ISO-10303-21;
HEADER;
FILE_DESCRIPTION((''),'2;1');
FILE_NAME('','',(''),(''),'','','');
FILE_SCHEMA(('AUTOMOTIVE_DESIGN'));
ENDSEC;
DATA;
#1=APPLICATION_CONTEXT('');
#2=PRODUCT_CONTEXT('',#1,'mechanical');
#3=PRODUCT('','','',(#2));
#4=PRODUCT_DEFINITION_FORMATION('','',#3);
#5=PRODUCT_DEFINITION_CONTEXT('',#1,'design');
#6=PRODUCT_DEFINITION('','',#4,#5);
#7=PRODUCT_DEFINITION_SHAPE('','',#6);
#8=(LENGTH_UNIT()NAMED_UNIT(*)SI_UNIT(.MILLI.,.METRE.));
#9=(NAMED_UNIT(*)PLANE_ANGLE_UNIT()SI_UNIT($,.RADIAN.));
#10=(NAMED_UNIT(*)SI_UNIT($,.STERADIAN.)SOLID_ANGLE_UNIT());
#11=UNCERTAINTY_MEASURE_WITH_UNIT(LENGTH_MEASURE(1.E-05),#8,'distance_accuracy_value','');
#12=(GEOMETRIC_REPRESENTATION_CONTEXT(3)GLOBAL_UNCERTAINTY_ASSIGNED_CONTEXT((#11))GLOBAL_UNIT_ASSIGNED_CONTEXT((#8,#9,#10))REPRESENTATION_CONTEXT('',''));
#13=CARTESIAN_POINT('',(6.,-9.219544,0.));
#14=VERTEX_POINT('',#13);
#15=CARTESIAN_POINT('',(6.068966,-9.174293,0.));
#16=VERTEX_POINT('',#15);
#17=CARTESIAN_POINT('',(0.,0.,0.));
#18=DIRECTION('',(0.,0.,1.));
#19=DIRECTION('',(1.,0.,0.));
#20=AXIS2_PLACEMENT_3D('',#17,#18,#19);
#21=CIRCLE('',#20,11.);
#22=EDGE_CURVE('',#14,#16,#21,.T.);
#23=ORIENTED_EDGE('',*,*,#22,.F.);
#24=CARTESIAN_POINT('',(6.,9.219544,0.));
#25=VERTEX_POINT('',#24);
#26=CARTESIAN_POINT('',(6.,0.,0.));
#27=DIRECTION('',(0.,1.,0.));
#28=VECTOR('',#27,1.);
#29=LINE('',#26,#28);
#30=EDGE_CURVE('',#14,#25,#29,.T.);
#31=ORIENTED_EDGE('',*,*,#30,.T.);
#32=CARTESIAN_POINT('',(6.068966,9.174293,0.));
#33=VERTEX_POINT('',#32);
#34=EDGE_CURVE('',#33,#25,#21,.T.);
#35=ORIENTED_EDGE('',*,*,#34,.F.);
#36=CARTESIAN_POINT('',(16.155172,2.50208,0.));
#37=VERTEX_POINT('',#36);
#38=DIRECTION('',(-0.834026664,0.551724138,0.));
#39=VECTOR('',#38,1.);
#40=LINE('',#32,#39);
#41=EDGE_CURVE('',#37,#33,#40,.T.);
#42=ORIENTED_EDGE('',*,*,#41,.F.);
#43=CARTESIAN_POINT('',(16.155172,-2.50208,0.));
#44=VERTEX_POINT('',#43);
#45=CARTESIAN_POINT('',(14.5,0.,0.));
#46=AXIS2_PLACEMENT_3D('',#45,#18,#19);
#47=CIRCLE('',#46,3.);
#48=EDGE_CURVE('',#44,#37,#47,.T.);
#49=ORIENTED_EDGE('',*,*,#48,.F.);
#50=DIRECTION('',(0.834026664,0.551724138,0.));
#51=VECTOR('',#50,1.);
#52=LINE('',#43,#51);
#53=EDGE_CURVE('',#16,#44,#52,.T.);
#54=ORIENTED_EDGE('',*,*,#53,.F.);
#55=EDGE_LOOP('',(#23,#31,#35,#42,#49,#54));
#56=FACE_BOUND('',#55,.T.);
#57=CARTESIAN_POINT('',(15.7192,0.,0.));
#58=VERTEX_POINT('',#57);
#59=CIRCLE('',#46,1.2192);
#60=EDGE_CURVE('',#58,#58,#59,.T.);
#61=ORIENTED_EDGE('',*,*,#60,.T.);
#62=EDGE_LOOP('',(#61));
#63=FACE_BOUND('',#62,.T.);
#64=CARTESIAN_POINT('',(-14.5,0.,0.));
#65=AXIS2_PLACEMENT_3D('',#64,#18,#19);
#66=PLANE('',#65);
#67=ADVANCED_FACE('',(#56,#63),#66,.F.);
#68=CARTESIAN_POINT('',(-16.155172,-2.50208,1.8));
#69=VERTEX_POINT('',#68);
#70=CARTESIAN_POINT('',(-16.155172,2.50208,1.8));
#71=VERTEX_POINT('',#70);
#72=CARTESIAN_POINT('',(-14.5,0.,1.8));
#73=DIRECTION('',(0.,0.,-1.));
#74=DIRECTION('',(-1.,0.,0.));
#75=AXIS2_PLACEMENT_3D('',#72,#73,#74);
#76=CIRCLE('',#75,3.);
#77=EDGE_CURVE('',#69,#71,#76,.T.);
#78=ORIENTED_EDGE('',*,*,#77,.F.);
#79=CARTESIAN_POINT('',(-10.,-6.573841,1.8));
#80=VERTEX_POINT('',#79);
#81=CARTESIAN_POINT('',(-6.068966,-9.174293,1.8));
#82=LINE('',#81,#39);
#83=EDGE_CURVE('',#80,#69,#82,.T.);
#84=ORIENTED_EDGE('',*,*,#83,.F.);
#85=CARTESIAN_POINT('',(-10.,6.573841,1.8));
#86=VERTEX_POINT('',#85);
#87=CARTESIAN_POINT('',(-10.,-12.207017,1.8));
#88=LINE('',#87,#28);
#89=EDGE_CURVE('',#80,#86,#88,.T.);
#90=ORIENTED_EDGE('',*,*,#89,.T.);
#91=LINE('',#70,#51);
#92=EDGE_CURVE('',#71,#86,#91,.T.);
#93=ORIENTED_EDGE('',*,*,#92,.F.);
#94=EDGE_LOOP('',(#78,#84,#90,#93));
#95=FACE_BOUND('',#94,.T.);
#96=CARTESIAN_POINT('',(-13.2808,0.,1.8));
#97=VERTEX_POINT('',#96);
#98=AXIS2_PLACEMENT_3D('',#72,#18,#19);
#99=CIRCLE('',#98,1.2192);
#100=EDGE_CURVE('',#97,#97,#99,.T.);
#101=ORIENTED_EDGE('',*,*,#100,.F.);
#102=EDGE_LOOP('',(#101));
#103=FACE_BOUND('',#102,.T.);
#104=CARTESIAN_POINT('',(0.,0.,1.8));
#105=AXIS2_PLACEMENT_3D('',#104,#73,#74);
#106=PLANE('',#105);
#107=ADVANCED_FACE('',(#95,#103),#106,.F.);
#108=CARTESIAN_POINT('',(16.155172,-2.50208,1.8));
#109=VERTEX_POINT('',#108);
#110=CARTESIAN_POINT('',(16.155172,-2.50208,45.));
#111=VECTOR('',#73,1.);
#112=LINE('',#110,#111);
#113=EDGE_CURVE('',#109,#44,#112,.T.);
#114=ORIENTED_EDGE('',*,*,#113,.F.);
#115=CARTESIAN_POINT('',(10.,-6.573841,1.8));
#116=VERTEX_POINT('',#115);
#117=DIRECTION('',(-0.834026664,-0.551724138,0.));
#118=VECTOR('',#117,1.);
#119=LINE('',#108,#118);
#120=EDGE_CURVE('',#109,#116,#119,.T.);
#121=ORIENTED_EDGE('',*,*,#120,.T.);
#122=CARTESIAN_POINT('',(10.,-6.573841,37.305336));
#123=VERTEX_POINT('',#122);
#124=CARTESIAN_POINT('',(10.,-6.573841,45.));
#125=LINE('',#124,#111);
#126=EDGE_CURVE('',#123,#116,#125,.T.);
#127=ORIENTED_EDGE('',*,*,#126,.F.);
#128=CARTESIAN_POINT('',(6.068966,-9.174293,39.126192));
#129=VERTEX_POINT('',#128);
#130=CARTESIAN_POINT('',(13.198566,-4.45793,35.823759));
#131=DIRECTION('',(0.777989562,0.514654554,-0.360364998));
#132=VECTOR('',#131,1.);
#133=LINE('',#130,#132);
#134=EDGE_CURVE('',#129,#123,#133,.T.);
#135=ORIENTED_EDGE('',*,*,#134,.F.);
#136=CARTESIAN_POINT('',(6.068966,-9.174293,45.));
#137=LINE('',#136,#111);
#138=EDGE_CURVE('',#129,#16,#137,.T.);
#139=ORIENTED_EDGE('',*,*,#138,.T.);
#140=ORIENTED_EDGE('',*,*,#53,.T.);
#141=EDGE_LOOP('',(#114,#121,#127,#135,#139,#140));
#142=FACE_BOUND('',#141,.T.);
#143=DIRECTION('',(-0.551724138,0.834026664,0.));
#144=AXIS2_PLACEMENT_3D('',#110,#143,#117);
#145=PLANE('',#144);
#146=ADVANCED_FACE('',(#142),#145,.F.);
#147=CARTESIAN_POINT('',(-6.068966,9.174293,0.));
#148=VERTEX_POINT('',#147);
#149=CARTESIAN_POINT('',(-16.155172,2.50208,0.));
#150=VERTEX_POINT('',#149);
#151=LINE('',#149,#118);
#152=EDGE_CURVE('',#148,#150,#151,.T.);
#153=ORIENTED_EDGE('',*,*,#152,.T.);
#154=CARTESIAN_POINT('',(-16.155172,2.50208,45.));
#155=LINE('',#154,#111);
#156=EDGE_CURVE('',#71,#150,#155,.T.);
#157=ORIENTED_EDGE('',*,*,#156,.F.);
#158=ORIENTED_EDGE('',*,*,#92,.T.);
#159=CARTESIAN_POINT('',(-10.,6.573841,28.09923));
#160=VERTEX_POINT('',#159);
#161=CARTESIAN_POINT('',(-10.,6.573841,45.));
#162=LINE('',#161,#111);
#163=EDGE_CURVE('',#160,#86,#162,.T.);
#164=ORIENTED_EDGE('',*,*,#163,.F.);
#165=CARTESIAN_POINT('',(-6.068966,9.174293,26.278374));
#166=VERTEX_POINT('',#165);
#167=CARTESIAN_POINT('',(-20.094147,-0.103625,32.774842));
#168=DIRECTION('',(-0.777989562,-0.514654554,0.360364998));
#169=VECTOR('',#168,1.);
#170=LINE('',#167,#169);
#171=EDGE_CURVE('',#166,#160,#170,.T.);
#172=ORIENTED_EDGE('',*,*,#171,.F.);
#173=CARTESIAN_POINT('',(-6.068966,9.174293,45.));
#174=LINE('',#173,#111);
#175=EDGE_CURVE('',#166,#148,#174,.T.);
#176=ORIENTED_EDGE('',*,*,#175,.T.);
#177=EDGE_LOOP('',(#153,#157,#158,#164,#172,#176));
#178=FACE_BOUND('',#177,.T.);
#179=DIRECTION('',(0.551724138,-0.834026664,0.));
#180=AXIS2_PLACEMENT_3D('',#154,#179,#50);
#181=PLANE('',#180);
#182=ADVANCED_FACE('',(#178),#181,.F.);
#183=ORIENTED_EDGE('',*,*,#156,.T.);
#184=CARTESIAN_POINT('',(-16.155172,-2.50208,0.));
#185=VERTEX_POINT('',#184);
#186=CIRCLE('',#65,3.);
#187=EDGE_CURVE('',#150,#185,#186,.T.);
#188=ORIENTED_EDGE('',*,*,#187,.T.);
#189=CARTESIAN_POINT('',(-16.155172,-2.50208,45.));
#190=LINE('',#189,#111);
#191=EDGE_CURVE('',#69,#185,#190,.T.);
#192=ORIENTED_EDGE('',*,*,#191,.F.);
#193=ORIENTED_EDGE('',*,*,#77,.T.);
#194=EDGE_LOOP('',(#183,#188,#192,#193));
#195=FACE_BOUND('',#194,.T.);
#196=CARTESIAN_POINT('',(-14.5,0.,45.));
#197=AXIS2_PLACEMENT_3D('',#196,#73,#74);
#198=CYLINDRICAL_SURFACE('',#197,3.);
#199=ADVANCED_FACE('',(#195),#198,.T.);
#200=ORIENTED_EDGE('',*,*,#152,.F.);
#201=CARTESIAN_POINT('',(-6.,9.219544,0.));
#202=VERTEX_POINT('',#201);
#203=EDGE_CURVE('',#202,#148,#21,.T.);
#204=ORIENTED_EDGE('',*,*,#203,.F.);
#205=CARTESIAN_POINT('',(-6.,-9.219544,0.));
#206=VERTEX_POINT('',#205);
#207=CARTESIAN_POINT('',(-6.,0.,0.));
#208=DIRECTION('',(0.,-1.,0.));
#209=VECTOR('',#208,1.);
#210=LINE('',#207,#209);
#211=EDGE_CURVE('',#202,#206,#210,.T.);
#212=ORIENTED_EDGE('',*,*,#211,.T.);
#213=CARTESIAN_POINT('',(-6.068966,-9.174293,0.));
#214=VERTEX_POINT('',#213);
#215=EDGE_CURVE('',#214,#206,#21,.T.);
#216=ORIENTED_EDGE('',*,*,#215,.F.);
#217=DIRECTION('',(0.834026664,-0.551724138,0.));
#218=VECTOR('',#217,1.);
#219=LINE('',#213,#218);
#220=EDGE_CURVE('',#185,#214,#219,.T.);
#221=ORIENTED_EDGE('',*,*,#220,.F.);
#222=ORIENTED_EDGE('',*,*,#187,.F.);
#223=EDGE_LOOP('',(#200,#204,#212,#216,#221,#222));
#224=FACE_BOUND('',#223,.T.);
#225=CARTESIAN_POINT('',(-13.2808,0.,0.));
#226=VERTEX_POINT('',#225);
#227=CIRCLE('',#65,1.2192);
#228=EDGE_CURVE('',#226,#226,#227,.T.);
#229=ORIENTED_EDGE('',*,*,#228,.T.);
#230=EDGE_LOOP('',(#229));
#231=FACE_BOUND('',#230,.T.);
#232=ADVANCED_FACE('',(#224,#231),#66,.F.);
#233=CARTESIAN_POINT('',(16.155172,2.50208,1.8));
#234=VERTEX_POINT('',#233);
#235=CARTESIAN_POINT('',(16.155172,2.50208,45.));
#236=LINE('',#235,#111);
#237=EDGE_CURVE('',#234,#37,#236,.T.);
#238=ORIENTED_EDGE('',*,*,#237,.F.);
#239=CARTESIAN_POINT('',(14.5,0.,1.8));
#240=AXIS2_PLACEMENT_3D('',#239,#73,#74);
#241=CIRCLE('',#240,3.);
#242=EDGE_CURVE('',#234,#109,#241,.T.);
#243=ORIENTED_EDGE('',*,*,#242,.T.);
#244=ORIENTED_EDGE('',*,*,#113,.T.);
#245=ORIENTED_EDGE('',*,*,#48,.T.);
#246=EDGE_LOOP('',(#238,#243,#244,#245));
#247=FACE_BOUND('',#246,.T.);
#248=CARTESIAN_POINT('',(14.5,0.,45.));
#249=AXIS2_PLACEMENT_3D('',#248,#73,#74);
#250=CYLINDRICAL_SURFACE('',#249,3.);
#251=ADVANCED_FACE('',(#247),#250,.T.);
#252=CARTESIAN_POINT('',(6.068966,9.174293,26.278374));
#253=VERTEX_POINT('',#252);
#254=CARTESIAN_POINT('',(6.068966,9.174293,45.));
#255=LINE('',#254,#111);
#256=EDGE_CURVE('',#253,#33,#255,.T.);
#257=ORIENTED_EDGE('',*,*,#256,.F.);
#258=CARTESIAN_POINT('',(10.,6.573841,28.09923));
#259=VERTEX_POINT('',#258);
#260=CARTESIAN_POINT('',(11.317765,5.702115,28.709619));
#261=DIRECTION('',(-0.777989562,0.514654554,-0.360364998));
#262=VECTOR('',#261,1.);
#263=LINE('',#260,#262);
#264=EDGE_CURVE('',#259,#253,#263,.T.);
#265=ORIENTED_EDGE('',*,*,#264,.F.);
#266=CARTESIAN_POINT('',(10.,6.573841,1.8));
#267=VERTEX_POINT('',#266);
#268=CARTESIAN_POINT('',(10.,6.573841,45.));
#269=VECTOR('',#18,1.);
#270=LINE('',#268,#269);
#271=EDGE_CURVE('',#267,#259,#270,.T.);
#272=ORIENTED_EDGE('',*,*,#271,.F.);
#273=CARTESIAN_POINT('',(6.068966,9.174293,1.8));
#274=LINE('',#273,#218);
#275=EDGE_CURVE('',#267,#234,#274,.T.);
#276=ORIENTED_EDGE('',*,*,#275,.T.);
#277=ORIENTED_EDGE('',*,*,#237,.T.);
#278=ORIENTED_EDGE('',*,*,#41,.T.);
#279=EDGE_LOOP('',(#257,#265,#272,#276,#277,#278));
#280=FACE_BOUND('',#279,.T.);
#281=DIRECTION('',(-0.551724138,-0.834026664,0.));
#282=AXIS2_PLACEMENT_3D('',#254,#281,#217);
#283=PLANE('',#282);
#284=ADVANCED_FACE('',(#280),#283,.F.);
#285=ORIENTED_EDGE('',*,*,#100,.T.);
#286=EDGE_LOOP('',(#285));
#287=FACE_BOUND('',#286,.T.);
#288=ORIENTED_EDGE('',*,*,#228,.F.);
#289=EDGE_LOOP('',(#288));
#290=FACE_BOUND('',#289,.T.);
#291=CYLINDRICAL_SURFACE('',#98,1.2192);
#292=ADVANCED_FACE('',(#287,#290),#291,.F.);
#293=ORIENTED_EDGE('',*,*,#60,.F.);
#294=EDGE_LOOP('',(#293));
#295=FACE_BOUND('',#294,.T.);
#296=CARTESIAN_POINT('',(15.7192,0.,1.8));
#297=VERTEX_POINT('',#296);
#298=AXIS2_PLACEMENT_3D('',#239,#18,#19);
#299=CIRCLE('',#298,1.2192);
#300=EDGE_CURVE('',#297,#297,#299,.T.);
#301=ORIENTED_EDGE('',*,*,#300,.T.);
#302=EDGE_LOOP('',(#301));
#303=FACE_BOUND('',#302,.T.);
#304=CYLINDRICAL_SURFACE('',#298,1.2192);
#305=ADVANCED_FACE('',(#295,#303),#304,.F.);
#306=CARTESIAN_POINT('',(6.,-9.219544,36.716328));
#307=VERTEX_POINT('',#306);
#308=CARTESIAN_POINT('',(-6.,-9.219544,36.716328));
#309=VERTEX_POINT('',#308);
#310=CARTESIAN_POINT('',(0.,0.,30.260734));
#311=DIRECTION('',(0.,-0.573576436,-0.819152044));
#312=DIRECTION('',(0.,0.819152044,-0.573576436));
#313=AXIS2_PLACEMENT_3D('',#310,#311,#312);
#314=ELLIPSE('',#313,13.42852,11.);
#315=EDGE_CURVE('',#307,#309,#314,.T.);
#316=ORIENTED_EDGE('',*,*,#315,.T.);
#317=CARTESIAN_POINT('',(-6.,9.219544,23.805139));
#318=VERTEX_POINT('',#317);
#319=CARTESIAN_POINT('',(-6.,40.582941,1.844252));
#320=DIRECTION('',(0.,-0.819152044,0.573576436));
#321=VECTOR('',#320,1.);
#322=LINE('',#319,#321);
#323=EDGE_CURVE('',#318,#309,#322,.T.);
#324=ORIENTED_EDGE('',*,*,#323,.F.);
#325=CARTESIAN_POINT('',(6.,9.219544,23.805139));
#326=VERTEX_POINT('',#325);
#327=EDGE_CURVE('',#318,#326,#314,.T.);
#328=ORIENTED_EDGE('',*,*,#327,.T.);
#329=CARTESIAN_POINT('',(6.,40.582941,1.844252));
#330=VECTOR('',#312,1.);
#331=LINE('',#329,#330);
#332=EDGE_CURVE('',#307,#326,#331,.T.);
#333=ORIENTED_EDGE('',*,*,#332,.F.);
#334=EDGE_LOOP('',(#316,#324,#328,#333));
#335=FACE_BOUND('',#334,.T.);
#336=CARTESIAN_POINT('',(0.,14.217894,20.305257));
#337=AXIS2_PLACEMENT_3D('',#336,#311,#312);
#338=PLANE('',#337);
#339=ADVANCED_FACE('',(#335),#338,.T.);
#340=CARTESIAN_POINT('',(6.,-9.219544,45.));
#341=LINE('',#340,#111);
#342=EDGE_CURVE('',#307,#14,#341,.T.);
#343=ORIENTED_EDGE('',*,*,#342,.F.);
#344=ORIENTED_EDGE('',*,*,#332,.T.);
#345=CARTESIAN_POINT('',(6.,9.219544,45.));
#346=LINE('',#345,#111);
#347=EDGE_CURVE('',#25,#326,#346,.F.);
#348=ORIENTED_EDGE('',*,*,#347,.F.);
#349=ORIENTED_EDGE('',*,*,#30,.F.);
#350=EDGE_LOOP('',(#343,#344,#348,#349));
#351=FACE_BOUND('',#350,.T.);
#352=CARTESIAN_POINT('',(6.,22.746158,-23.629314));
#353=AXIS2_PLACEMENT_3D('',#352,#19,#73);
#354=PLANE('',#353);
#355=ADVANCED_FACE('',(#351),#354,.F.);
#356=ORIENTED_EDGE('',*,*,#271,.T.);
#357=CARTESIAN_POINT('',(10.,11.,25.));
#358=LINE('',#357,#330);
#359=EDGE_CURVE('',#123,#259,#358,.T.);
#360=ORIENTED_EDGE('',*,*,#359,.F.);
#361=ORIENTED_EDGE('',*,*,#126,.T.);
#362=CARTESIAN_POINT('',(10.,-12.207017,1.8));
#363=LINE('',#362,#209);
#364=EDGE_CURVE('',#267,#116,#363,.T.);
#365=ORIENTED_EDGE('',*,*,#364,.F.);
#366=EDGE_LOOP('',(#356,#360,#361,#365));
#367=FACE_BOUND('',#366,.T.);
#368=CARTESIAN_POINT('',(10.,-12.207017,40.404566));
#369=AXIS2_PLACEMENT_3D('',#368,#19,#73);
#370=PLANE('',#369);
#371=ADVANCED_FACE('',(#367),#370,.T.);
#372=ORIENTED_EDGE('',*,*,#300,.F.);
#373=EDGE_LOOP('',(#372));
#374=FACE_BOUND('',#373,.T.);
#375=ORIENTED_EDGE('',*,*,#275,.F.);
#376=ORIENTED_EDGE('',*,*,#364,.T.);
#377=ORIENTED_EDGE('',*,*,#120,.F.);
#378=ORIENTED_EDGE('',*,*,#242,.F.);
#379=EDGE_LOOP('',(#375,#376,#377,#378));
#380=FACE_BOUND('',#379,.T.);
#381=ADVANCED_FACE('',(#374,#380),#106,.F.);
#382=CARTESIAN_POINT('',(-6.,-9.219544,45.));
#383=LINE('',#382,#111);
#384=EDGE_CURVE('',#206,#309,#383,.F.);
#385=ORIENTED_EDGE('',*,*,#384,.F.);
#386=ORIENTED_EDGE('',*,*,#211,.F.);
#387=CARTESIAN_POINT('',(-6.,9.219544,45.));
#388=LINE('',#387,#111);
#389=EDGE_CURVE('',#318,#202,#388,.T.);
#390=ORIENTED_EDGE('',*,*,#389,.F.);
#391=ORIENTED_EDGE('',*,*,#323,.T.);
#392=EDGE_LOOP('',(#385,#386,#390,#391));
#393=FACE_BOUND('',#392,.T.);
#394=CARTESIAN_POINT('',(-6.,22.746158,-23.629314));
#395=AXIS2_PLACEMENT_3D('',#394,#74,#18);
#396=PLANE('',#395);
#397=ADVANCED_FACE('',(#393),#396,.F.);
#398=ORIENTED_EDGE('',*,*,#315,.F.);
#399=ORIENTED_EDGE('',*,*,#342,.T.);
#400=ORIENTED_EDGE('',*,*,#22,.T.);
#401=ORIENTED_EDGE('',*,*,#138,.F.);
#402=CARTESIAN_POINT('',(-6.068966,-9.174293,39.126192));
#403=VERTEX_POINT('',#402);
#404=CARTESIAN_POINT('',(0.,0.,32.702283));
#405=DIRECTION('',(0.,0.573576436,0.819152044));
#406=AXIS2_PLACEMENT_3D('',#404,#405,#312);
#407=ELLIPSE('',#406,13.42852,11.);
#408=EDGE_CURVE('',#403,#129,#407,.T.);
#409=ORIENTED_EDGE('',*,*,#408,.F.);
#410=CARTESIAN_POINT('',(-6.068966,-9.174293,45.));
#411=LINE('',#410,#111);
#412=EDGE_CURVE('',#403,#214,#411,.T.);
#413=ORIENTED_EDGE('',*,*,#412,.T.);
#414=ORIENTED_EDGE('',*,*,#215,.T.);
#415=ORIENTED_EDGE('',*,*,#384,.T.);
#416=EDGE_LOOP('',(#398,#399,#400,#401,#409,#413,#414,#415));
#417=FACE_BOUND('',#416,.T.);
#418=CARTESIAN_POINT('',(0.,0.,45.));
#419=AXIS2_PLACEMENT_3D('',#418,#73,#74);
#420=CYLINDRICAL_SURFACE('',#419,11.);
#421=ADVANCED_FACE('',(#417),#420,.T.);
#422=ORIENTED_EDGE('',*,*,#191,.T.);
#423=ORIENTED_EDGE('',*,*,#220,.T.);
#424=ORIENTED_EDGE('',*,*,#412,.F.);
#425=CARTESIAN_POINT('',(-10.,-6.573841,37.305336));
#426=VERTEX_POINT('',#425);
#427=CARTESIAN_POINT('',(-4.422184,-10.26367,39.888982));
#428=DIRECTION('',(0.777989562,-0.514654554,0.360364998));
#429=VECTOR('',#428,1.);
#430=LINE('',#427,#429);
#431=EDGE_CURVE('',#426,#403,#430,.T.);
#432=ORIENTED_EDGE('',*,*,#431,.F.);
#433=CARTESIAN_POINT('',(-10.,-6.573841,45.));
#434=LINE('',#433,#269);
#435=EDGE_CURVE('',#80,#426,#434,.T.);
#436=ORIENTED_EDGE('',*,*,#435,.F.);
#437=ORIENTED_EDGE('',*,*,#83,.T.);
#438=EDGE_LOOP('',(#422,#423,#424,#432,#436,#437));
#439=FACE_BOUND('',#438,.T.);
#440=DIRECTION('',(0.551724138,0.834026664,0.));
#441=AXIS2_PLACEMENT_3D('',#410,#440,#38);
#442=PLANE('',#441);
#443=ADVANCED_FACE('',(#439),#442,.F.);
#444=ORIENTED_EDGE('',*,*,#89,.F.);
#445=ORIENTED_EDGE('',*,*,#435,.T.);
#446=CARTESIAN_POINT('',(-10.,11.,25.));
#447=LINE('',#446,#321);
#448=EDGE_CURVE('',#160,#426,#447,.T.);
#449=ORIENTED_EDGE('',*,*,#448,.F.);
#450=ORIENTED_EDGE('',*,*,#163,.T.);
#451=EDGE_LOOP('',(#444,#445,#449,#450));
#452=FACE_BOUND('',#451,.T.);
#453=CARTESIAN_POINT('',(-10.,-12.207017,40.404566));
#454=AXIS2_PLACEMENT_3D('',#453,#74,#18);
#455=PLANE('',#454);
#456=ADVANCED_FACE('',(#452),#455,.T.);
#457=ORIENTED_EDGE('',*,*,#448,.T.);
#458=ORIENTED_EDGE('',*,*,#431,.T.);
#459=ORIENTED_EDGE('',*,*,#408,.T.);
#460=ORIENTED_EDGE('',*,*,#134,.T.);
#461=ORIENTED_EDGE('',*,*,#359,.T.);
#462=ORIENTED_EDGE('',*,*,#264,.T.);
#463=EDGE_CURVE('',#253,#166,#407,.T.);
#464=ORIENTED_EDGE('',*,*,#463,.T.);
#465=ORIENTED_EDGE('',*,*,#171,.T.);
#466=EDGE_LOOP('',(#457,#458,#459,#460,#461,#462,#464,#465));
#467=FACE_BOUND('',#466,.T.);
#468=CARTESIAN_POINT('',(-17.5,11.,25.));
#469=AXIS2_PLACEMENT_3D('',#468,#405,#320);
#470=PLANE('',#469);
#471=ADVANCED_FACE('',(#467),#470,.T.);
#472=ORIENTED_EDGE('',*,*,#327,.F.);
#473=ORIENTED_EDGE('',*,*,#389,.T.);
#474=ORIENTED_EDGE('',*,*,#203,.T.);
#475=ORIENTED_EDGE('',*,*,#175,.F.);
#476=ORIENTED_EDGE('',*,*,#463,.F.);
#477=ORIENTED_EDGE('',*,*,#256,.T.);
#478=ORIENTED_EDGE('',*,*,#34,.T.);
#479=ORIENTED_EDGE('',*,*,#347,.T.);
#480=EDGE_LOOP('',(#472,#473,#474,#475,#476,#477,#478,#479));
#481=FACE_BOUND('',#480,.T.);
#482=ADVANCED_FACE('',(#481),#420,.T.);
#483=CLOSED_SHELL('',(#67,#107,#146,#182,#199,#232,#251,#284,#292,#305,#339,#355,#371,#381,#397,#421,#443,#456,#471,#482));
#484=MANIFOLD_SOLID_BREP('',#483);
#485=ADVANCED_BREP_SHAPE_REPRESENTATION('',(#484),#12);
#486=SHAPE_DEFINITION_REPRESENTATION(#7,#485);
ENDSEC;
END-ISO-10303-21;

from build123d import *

# Parameters (mm, degrees)
BOSS_EXTRUDE1_DEPTH     = 45
SKETCH3_OUTSIDE_W       = 59.222
SKETCH3_OUTSIDE_H       = 36.222
CUT_EXTRUDE1_DEPTH      = 18.5
CUT_EXTRUDE1_DEPTH_BACK = 18.5
CUT_EXTRUDE2_START      = -1.8
SKETCH5_OUTSIDE_W       = 48.562
SKETCH5_OUTSIDE_H       = 35.562
SKETCH5_OUTSIDE_W_2     = 20
SKETCH5_OUTSIDE_H_2     = 24.414034222
CUT_EXTRUDE2_DEPTH      = 39.604565841
F_2_CLEARANCE_HOLE1_D   = 2.4384
CUT_EXTRUDE3_START      = -2
SKETCH8_W               = 12
SKETCH8_H               = 64.371558748
CUT_EXTRUDE3_DEPTH      = 32.097482707


with BuildPart() as part:
    # Sketch1 → Boss-Extrude1 (new body)
    with BuildSketch(Plane.XY):
        with BuildLine():
            Line((-16.155172414, 2.502079991), (-6.068965517, 9.1742933))
            ThreePointArc((-6.068965517, 9.1742933), (0, 11), (6.068965517, 9.1742933))
            Line((6.068965517, 9.1742933), (16.155172414, 2.502079991))
            ThreePointArc((16.155172414, 2.502079991), (17.5, 0), (16.155172414, -2.502079991))
            Line((16.155172414, -2.502079991), (6.068965517, -9.1742933))
            ThreePointArc((6.068965517, -9.1742933), (0, -11), (-6.068965517, -9.1742933))
            Line((-6.068965517, -9.1742933), (-16.155172414, -2.502079991))
            ThreePointArc((-16.155172414, -2.502079991), (-17.5, 0), (-16.155172414, 2.502079991))
        make_face()
    extrude(amount=BOSS_EXTRUDE1_DEPTH)

    # Sketch3 outside → Cut-Extrude1 (cut, two sides)
    with BuildSketch(Plane(origin=(0, 0, 0), x_dir=(0, 0, -1), z_dir=(1, 0, 0))) as cut_extrude1_sk:
        with Locations((-22.5, 0)):
            Rectangle(SKETCH3_OUTSIDE_W, SKETCH3_OUTSIDE_H)
        Polygon((-25, 11), (-40.404565841, -11), (0, -11), (0, 11), align=None, mode=Mode.SUBTRACT)
    extrude(amount=CUT_EXTRUDE1_DEPTH, mode=Mode.SUBTRACT)
    extrude(cut_extrude1_sk.sketch, amount=-CUT_EXTRUDE1_DEPTH_BACK, mode=Mode.SUBTRACT)

    # Sketch5 outside → Cut-Extrude2 (cut, through all)
    with BuildSketch(Plane(origin=(0, 0, 0), x_dir=(-1, 0, 0), z_dir=(0, 0, -1)).offset(CUT_EXTRUDE2_START)):
        Rectangle(SKETCH5_OUTSIDE_W, SKETCH5_OUTSIDE_H)
        Rectangle(SKETCH5_OUTSIDE_W_2, SKETCH5_OUTSIDE_H_2, mode=Mode.SUBTRACT)
    extrude(amount=-CUT_EXTRUDE2_DEPTH, mode=Mode.SUBTRACT)

    # #2 Clearance Hole1 (through all)
    with Locations(Plane.XY.offset(1.8)):
        with Locations((14.5, 0), (-14.5, 0)):
            Hole(F_2_CLEARANCE_HOLE1_D / 2)

    # Sketch8 → Cut-Extrude3 (cut, through all)
    with BuildSketch(Plane(origin=(0, 15.365046972, 21.943561206), x_dir=(1, 0, 0), z_dir=(0, 0.573576436, 0.819152044)).offset(CUT_EXTRUDE3_START)):
        Rectangle(SKETCH8_W, SKETCH8_H)
    extrude(amount=-CUT_EXTRUDE3_DEPTH, mode=Mode.SUBTRACT)


solid = part.part
